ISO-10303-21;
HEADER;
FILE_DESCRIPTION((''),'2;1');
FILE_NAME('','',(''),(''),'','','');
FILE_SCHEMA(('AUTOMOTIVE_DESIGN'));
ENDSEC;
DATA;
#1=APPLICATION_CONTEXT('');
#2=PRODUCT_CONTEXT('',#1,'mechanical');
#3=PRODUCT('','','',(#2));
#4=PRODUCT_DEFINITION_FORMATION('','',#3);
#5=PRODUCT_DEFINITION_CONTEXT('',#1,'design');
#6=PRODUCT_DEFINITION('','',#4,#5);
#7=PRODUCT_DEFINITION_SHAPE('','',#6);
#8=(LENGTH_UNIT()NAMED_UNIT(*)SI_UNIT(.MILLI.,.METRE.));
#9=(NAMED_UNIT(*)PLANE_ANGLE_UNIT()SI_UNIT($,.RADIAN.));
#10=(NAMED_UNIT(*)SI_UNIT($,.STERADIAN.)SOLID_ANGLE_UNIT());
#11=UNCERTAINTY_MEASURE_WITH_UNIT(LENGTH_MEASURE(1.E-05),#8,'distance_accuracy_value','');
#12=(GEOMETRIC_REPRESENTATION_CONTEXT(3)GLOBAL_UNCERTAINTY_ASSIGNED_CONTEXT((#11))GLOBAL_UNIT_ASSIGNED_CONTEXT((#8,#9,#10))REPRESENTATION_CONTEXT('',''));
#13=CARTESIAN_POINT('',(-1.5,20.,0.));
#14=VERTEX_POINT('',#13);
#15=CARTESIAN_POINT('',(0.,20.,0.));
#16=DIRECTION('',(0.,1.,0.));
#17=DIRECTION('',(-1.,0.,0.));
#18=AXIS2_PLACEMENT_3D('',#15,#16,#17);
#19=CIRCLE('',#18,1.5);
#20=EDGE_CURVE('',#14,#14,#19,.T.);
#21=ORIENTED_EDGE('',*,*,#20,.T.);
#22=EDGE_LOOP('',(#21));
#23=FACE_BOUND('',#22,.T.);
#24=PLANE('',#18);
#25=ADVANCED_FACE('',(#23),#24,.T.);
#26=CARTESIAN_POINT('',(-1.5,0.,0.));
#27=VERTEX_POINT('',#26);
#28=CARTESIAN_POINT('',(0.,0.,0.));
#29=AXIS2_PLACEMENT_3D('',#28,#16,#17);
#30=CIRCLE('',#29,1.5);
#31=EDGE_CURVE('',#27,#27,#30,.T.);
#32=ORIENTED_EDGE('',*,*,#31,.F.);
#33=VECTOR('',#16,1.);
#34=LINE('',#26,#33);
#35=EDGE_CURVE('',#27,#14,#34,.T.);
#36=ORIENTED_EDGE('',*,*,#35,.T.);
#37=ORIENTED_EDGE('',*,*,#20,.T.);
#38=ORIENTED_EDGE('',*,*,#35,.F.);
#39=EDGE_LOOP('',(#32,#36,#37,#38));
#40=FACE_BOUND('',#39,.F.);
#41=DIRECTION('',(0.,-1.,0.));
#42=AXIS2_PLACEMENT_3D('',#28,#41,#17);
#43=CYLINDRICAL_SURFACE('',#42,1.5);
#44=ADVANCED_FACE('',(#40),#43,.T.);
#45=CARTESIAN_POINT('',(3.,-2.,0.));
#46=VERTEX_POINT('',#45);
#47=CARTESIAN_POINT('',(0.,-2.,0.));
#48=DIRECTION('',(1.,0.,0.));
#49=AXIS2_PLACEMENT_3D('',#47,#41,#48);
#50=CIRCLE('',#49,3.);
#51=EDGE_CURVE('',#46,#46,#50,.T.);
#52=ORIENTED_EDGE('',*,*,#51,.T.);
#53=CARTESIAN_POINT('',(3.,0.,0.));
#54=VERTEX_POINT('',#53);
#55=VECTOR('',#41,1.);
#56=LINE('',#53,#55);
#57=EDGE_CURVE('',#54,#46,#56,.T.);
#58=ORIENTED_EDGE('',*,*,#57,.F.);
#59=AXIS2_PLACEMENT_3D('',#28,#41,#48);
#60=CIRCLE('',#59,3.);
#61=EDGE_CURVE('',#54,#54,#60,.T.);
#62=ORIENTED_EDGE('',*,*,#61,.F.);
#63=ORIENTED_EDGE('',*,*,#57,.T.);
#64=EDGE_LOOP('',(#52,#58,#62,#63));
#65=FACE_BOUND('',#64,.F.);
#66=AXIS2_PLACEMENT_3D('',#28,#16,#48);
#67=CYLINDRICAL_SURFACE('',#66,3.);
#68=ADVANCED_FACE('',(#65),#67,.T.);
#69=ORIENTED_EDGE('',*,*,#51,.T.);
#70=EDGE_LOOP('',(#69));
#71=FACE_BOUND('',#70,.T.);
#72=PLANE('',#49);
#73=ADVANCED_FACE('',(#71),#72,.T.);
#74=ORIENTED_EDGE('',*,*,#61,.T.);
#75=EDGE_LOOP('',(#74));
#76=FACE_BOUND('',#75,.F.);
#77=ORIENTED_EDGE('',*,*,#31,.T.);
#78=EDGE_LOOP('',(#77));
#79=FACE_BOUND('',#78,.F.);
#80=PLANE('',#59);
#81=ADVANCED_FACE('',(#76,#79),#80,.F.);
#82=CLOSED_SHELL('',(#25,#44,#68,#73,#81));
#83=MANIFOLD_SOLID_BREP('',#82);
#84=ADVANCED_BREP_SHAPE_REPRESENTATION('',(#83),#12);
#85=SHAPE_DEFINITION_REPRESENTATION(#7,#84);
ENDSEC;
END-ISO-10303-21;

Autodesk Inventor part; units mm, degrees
ref_plane "YZ Plane" through (0, 0, 0) normal (1, 0, 0) x (0, 1, 0)
ref_plane "XZ Plane" through (0, 0, 0) normal (0, 1, 0) x (-1, 0, 0)
ref_plane "XY Plane" through (0, 0, 0) normal (0, 0, 1) x (1, 0, 0)
sketch "Sketch1" plane through (0, 0, 0) normal (0, 1, 0) x (-1, 0, 0)
  circle A0 centre (0, 0) radius 1.5
  dimension "d0" = 3
extrude "Extrusion1" add sketch "Sketch1" along normal blind 20
thread "Thread1" size "M3x0.5" class "6g" standard "ANSI Metric M Profile" full length
sketch "Sketch2" plane through (0, 0, 0) normal (0, -1, 0) x (1, 0, 0)
  circle A0 centre (0, 0) radius 3
  dimension "d5" = 6
extrude "Extrusion2" add sketch "Sketch2" along normal blind 2
properties part number "bolt3-20"
